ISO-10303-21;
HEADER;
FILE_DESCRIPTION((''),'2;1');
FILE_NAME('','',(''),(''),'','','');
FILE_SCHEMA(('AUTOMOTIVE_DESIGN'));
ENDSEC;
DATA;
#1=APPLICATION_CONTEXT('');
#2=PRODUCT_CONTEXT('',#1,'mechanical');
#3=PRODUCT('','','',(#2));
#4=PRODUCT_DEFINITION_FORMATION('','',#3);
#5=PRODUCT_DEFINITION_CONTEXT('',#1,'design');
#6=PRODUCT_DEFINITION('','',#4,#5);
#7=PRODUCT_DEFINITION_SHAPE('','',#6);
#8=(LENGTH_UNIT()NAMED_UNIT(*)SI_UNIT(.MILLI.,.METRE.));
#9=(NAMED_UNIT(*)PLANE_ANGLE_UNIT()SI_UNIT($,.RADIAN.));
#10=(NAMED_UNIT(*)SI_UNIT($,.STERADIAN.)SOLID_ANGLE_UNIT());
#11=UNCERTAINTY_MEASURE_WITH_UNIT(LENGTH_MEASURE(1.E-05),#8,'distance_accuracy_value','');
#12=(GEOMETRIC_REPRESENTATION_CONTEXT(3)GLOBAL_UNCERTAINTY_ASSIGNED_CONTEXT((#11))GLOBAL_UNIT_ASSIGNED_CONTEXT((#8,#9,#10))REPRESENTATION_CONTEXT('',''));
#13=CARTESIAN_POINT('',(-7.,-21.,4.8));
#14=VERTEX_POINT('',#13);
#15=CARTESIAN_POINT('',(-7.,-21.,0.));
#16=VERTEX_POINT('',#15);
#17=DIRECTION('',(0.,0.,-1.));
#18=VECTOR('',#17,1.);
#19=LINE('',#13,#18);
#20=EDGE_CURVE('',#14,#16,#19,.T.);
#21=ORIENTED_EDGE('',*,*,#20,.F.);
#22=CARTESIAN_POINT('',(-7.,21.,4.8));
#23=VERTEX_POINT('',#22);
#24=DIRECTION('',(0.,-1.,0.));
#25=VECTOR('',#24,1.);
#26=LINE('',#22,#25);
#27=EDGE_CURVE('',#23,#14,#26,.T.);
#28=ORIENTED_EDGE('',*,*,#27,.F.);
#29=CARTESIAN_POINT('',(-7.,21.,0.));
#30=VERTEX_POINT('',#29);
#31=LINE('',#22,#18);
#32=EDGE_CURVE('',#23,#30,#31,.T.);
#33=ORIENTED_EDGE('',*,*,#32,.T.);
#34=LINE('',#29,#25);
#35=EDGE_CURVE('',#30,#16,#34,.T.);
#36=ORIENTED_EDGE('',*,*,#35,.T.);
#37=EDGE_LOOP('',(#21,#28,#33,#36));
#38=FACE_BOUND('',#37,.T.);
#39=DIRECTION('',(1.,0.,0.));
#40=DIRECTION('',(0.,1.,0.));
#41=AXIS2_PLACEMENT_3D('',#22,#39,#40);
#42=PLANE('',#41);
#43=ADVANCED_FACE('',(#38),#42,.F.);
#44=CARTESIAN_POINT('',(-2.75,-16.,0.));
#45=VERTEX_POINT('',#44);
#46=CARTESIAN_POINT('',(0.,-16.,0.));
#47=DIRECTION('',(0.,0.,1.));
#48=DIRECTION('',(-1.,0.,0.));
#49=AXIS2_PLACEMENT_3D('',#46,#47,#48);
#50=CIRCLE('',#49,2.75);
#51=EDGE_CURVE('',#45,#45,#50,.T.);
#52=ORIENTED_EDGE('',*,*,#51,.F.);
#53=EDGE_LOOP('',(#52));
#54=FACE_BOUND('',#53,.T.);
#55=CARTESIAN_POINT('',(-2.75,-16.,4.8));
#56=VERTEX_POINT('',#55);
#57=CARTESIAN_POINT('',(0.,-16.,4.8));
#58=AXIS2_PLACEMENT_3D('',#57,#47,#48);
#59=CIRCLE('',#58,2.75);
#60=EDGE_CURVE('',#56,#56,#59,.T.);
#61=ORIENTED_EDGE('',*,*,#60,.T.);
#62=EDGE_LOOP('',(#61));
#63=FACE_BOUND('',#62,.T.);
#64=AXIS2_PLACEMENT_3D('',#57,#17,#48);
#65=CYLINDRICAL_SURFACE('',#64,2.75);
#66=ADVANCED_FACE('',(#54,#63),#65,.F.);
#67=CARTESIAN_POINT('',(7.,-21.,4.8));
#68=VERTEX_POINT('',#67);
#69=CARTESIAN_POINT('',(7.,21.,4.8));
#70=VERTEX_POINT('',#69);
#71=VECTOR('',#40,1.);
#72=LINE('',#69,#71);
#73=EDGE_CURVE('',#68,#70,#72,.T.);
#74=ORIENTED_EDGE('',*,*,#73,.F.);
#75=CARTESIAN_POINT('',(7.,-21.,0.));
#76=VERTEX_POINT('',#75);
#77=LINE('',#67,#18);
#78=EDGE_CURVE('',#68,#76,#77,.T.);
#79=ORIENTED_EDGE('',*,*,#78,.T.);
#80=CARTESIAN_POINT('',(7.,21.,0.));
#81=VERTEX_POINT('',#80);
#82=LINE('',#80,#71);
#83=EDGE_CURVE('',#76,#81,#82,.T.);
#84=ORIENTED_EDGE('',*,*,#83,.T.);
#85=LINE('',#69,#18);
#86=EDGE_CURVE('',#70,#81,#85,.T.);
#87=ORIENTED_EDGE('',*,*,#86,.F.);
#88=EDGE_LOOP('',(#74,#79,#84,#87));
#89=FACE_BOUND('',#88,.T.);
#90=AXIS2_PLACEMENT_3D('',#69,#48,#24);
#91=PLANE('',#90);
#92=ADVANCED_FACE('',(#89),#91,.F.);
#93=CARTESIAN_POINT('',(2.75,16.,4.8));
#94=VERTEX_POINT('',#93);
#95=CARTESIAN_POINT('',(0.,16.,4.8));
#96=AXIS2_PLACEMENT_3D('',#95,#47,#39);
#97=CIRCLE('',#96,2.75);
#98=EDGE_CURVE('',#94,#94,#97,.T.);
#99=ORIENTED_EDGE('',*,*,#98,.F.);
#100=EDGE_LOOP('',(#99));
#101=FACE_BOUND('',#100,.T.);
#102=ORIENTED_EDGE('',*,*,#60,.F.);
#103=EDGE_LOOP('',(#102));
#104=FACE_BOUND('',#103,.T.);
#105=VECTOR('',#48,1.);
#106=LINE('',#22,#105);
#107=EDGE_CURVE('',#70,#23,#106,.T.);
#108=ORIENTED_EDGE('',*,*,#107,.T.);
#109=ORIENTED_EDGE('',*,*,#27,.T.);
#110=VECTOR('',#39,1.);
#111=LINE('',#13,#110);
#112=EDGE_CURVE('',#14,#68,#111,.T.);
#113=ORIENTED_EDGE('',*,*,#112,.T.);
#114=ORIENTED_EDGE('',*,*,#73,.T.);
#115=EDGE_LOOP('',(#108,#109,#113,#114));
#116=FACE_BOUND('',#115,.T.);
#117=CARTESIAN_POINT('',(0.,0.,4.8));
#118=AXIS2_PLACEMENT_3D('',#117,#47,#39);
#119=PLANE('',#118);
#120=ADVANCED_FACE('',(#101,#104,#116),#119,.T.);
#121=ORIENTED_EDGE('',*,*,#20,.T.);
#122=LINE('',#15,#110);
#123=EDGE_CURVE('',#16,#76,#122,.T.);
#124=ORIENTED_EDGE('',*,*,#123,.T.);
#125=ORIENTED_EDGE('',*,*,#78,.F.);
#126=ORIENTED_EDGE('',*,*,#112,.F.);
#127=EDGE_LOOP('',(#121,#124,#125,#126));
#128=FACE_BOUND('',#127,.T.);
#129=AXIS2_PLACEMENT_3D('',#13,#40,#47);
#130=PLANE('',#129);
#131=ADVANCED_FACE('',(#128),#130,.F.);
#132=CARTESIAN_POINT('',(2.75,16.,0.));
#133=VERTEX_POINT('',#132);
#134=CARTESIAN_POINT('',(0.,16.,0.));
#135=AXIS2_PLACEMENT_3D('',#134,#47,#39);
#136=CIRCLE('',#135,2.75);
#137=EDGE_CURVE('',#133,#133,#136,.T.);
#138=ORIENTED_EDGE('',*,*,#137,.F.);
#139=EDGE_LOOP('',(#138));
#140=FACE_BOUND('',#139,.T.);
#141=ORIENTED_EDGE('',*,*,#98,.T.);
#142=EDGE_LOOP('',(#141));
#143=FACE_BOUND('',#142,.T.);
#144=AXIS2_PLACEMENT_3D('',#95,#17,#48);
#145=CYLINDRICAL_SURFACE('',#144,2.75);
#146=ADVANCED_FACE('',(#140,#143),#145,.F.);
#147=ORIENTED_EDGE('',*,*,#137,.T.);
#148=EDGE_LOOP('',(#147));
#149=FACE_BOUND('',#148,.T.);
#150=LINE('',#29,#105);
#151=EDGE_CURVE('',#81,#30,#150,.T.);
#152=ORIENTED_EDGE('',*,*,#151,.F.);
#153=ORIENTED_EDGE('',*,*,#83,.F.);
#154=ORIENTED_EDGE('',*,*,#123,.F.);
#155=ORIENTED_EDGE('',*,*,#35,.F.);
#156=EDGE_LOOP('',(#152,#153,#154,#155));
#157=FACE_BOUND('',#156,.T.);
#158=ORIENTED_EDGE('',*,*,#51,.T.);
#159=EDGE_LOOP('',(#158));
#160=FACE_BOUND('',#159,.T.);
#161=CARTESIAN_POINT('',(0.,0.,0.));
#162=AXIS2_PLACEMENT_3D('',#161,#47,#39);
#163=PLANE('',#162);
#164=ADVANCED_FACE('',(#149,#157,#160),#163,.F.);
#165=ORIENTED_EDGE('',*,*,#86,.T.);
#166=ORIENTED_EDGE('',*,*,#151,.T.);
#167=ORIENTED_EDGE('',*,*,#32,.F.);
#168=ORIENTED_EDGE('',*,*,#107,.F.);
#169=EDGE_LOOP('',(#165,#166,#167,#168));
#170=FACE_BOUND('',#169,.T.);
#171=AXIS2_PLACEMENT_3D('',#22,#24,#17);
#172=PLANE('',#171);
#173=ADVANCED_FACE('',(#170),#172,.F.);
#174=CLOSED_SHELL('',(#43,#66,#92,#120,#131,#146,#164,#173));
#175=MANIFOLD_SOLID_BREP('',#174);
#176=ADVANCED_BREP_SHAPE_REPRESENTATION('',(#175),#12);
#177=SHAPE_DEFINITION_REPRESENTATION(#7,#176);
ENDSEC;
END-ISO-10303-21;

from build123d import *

# Parameters (mm, degrees)
SKETCH_1_W      = 14
SKETCH_1_H      = 42
SKETCH_1_R      = 2.75
EXTRUDE_1_DEPTH = 4.8


with BuildPart() as part:
    # 草图1 → 凸台-拉伸1 (new body)
    with BuildSketch(Plane.XY):
        Rectangle(SKETCH_1_W, SKETCH_1_H)
        with Locations((0, 16)):
            Circle(SKETCH_1_R, mode=Mode.SUBTRACT)
        with Locations(Location((0, -16, 0), (0, 0, 180))):
            Circle(SKETCH_1_R, mode=Mode.SUBTRACT)
    extrude(amount=EXTRUDE_1_DEPTH)


solid = part.part
